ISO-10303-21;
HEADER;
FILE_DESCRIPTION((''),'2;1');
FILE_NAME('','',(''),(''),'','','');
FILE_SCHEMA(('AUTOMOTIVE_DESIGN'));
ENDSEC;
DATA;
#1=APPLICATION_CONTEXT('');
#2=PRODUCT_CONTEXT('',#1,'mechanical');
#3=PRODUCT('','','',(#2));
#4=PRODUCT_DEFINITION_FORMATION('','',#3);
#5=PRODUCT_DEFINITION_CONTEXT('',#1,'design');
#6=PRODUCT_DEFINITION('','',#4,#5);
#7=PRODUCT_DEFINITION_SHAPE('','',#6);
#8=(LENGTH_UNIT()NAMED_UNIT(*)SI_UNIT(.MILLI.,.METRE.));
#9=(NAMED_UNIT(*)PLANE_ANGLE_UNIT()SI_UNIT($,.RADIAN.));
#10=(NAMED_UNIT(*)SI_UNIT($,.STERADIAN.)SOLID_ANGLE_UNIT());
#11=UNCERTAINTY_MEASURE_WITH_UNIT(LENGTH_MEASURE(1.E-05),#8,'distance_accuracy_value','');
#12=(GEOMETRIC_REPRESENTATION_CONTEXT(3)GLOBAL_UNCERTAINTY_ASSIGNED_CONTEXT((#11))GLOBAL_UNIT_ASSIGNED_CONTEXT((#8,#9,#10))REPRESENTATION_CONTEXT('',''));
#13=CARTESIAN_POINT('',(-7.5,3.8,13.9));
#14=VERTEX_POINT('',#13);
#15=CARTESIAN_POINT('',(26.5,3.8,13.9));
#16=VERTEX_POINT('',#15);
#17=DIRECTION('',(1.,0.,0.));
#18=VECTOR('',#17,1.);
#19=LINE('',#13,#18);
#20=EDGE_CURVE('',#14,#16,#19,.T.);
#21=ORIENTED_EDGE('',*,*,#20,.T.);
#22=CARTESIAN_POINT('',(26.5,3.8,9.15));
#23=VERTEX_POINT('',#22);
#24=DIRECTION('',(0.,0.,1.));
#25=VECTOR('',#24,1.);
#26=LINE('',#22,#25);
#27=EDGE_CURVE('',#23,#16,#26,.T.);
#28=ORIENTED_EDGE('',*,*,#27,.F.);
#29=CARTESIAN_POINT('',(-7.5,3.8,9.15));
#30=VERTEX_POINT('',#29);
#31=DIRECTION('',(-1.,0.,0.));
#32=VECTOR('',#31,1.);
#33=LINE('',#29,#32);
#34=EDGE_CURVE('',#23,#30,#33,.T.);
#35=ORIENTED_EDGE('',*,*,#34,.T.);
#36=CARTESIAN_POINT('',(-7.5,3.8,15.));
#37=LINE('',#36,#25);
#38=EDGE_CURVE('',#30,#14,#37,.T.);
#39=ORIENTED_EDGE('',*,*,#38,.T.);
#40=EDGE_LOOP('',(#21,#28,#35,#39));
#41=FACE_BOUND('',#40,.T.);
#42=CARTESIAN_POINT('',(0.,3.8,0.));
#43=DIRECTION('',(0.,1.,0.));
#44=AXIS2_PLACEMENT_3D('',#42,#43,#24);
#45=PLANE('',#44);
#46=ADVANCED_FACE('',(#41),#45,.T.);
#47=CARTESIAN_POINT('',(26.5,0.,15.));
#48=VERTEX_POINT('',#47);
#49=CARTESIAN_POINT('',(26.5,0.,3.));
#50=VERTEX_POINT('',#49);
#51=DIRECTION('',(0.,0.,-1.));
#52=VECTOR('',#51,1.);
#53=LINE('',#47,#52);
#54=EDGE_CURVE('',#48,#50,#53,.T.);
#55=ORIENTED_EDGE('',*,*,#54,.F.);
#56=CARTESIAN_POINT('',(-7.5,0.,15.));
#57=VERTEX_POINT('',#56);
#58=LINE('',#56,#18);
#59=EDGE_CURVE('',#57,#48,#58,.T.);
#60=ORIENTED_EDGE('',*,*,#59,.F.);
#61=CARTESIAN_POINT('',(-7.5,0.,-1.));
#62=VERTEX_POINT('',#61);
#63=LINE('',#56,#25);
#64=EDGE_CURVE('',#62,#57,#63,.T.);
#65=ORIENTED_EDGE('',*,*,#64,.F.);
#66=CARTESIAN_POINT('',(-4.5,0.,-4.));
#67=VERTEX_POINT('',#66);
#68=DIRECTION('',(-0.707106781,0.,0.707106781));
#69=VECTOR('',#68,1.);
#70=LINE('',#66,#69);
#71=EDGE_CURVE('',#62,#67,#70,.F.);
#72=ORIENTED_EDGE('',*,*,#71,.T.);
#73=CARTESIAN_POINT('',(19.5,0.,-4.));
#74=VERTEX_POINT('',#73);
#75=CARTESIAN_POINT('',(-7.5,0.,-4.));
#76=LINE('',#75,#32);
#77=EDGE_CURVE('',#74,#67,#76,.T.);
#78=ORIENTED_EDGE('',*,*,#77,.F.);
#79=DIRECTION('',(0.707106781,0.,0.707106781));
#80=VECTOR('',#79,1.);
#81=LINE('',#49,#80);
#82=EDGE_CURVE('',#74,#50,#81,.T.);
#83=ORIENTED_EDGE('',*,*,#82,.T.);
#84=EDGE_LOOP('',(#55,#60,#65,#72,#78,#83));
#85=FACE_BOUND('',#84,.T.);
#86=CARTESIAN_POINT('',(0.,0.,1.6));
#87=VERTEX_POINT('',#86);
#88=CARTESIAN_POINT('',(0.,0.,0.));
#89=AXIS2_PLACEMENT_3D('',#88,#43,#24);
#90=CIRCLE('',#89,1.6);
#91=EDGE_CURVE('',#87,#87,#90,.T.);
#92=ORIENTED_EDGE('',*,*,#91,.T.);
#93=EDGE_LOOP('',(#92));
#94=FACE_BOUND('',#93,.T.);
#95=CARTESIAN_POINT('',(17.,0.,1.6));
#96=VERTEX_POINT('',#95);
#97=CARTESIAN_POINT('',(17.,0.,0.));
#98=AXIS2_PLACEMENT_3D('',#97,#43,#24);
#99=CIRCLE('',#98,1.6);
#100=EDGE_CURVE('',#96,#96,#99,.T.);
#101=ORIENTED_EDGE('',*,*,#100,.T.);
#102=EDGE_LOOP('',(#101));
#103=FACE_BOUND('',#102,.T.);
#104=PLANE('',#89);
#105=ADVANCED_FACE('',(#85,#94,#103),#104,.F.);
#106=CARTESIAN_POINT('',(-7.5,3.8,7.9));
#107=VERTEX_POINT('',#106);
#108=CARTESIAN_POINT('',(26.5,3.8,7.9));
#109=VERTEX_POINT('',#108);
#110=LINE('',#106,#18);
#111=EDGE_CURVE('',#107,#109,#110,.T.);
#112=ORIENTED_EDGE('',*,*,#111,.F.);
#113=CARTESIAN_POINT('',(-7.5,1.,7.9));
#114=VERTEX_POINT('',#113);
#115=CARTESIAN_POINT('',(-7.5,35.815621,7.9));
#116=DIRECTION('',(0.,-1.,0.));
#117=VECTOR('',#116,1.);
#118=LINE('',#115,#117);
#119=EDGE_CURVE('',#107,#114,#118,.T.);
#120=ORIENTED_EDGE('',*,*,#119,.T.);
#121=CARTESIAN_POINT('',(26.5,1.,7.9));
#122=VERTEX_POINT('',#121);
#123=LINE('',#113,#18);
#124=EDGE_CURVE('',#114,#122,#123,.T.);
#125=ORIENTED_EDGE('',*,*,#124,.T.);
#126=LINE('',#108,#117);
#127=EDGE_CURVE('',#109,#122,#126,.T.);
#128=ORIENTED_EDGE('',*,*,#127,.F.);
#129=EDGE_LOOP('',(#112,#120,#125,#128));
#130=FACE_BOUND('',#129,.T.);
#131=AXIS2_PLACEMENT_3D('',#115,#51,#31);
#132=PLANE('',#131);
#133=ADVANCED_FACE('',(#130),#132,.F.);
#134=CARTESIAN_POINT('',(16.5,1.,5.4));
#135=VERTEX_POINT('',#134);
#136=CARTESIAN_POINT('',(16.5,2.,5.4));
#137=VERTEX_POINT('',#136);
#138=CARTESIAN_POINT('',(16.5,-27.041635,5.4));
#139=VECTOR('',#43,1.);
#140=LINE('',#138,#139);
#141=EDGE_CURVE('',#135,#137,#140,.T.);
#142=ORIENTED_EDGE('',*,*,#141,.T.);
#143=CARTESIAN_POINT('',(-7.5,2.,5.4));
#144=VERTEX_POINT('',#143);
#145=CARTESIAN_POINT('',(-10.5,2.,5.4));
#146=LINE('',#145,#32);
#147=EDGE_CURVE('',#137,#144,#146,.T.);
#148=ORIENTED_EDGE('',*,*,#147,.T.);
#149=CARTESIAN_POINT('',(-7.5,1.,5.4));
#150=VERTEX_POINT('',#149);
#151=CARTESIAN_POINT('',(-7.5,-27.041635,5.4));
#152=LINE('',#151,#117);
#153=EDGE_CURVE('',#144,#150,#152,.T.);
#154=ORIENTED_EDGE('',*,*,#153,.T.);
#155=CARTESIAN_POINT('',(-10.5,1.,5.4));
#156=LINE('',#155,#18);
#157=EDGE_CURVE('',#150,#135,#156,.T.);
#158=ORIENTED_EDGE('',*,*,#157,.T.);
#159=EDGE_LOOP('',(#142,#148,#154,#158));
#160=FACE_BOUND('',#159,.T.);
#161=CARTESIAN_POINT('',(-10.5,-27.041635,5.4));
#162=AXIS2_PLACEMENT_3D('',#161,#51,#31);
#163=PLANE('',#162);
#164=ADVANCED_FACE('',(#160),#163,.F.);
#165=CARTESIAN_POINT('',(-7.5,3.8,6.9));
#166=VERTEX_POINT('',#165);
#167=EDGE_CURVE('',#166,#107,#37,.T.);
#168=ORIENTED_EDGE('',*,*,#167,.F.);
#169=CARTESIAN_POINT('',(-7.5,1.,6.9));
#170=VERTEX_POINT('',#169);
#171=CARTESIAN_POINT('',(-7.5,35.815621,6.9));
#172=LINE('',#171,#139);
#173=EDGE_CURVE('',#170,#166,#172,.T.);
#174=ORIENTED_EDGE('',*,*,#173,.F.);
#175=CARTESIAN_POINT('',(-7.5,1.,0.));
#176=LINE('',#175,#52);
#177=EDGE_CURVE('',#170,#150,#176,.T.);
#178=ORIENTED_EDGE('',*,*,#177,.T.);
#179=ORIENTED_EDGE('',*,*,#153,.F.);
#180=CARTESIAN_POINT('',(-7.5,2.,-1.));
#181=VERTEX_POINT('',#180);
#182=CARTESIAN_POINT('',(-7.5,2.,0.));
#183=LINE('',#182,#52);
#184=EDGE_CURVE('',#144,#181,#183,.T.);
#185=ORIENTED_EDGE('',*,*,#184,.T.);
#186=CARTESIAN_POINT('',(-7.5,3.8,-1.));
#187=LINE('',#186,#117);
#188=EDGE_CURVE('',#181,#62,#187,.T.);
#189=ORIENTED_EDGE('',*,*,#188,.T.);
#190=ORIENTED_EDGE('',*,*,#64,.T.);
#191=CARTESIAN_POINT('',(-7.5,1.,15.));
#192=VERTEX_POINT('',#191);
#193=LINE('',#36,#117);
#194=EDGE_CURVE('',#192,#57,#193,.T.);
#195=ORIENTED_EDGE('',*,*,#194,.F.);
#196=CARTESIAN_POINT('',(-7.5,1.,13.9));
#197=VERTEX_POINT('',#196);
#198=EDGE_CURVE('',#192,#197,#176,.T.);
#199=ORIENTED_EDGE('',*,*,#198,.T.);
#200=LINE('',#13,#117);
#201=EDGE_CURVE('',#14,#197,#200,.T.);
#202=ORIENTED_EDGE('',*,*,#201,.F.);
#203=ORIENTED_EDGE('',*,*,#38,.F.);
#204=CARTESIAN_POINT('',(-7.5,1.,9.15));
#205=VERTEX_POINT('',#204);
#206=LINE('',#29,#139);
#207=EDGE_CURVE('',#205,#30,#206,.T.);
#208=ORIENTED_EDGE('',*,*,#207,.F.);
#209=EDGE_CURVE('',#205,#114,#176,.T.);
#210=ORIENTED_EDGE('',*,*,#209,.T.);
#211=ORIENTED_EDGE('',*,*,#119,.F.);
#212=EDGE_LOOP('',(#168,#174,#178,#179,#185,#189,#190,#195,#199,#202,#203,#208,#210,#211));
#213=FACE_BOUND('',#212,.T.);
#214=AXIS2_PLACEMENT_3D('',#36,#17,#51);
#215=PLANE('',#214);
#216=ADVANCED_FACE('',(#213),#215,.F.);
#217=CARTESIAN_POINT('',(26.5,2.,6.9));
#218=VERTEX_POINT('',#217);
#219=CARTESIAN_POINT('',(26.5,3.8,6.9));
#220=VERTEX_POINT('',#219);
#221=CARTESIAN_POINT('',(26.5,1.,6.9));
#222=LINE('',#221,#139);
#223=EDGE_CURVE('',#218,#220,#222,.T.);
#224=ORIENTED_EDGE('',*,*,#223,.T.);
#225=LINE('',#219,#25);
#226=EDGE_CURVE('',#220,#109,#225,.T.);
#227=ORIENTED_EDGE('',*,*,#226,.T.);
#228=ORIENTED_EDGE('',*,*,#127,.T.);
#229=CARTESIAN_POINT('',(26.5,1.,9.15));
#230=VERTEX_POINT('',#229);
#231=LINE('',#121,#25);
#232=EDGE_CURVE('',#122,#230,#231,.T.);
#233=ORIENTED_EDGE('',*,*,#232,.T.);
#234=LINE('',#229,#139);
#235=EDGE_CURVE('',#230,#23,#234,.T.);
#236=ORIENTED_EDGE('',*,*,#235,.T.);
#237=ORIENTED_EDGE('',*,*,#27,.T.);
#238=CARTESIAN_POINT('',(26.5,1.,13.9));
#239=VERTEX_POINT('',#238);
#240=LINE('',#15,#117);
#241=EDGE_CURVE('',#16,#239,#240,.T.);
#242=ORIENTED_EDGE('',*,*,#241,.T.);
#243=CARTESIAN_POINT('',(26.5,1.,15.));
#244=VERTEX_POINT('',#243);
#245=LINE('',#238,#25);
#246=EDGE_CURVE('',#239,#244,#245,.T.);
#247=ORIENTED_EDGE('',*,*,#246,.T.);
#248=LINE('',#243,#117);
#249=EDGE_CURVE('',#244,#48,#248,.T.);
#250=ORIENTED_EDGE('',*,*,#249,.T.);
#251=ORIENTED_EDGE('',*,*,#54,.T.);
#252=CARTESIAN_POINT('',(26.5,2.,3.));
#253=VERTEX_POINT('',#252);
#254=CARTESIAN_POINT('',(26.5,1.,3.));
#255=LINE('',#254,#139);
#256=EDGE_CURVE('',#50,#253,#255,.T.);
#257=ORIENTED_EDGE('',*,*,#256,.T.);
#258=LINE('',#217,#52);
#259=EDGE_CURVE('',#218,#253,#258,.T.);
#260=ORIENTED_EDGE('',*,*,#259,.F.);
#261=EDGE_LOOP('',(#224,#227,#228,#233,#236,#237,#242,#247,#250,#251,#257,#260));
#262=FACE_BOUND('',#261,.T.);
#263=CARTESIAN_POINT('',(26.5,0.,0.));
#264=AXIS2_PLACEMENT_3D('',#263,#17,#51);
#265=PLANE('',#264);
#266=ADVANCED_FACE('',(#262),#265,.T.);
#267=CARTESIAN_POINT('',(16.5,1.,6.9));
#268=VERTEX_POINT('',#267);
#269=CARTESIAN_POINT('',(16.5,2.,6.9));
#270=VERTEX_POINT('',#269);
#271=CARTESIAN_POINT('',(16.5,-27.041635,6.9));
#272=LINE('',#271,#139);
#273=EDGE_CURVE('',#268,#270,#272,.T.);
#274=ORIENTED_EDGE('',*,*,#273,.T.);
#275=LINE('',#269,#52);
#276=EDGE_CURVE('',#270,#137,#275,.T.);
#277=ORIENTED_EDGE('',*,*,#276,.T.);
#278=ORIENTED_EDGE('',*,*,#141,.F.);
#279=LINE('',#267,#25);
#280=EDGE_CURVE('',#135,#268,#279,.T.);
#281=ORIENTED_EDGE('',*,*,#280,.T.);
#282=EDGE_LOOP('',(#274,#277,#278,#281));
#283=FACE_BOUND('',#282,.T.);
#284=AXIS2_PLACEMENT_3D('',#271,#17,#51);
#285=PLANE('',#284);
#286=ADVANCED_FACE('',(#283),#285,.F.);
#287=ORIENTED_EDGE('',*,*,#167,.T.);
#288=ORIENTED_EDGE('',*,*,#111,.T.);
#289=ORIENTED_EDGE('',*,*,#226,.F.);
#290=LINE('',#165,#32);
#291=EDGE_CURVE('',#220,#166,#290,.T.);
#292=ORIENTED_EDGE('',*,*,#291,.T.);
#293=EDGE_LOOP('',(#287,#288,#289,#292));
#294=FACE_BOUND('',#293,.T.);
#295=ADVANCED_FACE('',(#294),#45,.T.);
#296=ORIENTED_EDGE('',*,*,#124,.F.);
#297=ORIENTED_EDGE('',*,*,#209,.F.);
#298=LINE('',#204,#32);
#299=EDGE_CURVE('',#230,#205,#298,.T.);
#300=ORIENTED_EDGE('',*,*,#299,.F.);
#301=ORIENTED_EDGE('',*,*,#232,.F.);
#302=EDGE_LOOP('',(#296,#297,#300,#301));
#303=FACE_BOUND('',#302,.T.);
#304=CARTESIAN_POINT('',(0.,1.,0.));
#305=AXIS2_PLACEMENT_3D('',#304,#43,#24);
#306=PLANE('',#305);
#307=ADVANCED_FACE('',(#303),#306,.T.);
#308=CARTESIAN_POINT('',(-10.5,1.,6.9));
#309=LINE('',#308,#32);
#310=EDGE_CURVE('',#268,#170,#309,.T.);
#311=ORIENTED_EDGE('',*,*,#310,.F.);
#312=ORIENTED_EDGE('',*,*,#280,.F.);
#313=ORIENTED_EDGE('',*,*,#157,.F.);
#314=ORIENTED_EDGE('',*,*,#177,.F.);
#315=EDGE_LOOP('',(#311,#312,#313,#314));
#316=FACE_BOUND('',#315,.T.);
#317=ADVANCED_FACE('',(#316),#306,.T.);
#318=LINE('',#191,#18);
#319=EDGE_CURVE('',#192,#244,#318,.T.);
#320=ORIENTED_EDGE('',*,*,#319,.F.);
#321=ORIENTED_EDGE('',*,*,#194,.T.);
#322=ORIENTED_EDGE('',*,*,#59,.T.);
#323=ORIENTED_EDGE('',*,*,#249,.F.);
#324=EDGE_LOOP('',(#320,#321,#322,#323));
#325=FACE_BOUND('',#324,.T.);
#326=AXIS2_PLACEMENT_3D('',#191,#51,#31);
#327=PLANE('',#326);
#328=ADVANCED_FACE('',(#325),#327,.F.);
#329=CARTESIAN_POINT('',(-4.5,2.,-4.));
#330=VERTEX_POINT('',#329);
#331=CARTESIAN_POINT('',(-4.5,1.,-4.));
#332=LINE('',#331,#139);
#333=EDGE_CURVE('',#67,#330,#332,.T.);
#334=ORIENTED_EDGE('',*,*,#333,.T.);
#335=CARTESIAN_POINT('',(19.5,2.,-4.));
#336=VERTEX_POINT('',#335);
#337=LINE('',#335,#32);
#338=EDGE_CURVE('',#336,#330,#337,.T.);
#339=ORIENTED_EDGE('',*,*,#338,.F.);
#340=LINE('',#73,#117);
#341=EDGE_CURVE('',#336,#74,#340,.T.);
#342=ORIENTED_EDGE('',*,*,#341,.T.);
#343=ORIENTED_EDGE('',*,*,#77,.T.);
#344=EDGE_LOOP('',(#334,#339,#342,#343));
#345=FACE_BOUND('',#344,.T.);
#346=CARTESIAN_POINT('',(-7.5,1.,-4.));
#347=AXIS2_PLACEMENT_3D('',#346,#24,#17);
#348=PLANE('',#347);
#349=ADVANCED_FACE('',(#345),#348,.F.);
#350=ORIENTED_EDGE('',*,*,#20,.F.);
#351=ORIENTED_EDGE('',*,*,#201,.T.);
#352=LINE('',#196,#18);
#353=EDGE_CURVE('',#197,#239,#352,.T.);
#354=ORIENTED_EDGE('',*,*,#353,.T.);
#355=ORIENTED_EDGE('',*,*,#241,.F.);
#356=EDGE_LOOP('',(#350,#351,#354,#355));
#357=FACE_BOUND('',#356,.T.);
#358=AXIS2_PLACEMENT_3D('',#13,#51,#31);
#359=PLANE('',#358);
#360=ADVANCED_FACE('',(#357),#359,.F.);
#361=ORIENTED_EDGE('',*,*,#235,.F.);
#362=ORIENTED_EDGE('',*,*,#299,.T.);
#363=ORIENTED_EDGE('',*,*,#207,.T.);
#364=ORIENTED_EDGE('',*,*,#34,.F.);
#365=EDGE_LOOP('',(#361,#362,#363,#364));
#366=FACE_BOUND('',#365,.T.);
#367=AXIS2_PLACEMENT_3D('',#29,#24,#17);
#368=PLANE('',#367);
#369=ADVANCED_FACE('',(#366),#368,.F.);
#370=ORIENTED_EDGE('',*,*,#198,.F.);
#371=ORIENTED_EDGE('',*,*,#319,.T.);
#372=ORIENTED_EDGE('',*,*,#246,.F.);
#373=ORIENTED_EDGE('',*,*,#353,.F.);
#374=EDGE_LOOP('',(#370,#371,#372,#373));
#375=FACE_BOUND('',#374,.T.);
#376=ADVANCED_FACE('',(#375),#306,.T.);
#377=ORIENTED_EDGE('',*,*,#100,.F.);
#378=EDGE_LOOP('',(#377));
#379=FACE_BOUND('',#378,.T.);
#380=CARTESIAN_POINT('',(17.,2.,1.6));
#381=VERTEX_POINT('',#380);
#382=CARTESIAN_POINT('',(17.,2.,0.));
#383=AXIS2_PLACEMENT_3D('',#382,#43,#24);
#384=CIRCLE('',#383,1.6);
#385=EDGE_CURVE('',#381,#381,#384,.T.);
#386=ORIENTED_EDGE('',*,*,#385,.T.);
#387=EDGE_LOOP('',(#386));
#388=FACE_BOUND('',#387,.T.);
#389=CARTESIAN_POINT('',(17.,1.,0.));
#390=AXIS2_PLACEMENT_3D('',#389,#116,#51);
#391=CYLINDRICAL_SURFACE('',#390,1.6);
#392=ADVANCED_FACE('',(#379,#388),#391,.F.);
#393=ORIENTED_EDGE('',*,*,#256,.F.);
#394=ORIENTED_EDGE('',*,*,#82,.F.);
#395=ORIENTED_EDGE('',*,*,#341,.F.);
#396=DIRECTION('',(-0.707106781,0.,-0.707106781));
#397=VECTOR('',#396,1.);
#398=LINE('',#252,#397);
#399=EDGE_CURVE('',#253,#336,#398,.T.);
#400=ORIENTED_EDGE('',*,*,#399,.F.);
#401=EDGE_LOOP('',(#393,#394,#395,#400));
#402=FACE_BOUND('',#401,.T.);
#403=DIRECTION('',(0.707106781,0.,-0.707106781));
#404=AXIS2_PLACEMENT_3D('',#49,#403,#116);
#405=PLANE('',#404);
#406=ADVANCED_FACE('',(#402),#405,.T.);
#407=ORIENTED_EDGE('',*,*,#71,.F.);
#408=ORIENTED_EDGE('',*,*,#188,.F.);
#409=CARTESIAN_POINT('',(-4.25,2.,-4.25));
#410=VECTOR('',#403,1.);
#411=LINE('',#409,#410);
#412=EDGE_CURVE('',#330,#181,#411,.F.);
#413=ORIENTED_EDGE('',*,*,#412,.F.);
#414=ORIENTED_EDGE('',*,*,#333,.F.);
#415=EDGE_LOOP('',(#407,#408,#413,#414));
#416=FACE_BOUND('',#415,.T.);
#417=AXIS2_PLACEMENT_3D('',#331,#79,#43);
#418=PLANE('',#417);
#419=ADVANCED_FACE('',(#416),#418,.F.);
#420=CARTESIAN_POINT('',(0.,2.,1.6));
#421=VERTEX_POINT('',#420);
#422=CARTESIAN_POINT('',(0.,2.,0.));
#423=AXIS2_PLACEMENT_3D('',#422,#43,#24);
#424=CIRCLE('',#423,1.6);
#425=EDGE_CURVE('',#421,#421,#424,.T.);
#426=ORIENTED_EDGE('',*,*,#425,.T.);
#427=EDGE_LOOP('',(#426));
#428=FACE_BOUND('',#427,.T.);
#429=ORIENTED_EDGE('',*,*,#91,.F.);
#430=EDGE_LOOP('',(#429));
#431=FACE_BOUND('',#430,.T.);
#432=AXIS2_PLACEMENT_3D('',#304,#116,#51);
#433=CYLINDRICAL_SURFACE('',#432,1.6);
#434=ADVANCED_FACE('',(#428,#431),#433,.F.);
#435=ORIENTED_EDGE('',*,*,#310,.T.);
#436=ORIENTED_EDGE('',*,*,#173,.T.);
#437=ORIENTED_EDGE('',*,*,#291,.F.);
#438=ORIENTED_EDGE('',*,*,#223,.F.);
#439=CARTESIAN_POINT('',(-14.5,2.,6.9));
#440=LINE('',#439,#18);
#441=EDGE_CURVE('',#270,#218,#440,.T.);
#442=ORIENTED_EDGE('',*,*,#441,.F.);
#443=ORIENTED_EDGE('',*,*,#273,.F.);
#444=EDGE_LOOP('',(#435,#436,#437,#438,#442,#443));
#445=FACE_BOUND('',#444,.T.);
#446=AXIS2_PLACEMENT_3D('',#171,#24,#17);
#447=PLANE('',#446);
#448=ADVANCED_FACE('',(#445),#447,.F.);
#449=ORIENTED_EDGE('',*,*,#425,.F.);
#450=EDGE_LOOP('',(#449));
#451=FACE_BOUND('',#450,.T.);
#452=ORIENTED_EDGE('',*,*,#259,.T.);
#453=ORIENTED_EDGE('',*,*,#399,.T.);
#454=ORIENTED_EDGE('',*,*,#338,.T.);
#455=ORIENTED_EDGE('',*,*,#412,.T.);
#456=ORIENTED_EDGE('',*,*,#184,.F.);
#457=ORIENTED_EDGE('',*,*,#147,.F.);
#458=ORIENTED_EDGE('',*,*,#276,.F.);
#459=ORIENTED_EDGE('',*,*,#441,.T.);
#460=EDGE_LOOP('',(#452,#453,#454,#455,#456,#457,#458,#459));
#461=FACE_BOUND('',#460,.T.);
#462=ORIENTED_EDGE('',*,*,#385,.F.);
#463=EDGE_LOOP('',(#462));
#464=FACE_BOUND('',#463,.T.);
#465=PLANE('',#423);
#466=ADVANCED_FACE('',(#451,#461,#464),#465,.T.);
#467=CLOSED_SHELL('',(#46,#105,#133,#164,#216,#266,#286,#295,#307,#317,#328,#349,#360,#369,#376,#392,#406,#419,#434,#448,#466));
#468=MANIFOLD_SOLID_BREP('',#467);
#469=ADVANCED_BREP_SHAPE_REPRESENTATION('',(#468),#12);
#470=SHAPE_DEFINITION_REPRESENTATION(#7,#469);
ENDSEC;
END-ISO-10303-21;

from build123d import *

# Parameters (mm, degrees)
SKETCH_1_W          = 32
SKETCH_1_H          = 19
SKETCH_1_R          = 1.6
EXTRUDE_1_DEPTH     = 1
SKETCH_3_W          = 32
SKETCH_3_H          = 4.75
EXTRUDE_2_DEPTH     = 2.8
SKETCH_4_W          = 32
SKETCH_4_H          = 1
EXTRUDE_3_DEPTH     = 2.8
EXTRUDE_4_DEPTH     = 2
EXTRUDE_5_DEPTH     = 7
CHAMFER_1_SIZE      = 7
SKETCH_7_R          = 1.6
EXTRUDE_6_DEPTH     = 1
SKETCH_8_W          = 4
SKETCH_8_H          = 16
CUT_EXTRUDE_1_DEPTH = 31.686967918
SKETCH_9_W          = 27
SKETCH_9_H          = 1.5
CUT_EXTRUDE_2_DEPTH = 1
SKETCH_10_W         = 3
SKETCH_10_H         = 19
CUT_EXTRUDE_3_DEPTH = 31.686967918
CHAMFER_2_SIZE      = 3


with BuildPart() as part:
    # 草图1 → 凸台-拉伸1 (new body)
    with BuildSketch(Plane(origin=(0, 0, 0), x_dir=(1, 0, 0), z_dir=(0, 1, 0))):
        with Locations((8.5, -5.5)):
            Rectangle(SKETCH_1_W, SKETCH_1_H)
        with Locations(Location((0, 0, 0), (0, 0, 270))):
            Circle(SKETCH_1_R, mode=Mode.SUBTRACT)
        with Locations(Location((17, 0, 0), (0, 0, 270))):
            Circle(SKETCH_1_R, mode=Mode.SUBTRACT)
    extrude(amount=EXTRUDE_1_DEPTH)

    # 草图3 → 凸台-拉伸2 (add)
    with BuildSketch(Plane(origin=(0, 1, 0), x_dir=(1, 0, 0), z_dir=(0, 1, 0))):
        with Locations((8.5, -11.525)):
            Rectangle(SKETCH_3_W, SKETCH_3_H)
    extrude(amount=EXTRUDE_2_DEPTH)

    # 草图4 → 凸台-拉伸3 (add)
    with BuildSketch(Plane(origin=(0, 1, 0), x_dir=(1, 0, 0), z_dir=(0, 1, 0))):
        with Locations((8.5, -7.4)):
            Rectangle(SKETCH_4_W, SKETCH_4_H)
    extrude(amount=EXTRUDE_3_DEPTH)

    # 草图5 → 凸台-拉伸4 (add)
    with BuildSketch(Plane(origin=(24.5, 0, 0), x_dir=(0, 0, -1), z_dir=(1, 0, 0))):
        Polygon((-15, 0), (4, 0), (4, 1), (-6.9, 1), (-6.9, 3.8), (-7.9, 3.8), (-7.9, 1), (-9.15, 1), (-9.15, 3.8), (-13.9, 3.8), (-13.9, 1), (-15, 1), align=None)
    extrude(amount=EXTRUDE_4_DEPTH)

    # 草图6 → 凸台-拉伸5 (add)
    with BuildSketch(Plane.ZY.offset(7.5)):
        Polygon((-4, 0), (15, 0), (15, 1), (13.9, 1), (13.9, 3.8), (9.15, 3.8), (9.15, 1), (7.9, 1), (7.9, 3.8), (6.9, 3.8), (6.9, 1), (-4, 1), align=None)
    extrude(amount=EXTRUDE_5_DEPTH)

    # 倒角1
    chamfer_1_edges = [part.edges().sort_by_distance(p)[0] for p in [
        (26.5, 0.5, -4),
        (-14.5, 0.5, -4),
    ]]
    chamfer(chamfer_1_edges, length=CHAMFER_1_SIZE)

    # 草图7 → 凸台-拉伸6 (add)
    with BuildSketch(Plane(origin=(0, 1, 0), x_dir=(1, 0, 0), z_dir=(0, 1, 0))):
        Polygon((26.5, -6.9), (26.5, -3), (19.5, 4), (-7.5, 4), (-14.5, -3), (-14.5, -6.9), align=None)
        with Locations(Location((17, 0, 0), (0, 0, 270))):
            Circle(SKETCH_7_R, mode=Mode.SUBTRACT)
        with Locations(Location((0, 0, 0), (0, 0, 270))):
            Circle(SKETCH_7_R, mode=Mode.SUBTRACT)
    extrude(amount=EXTRUDE_6_DEPTH)

    # 草图8 → 切除-拉伸1 (cut, through all)
    with BuildSketch(Plane(origin=(0, 3.8, 0), x_dir=(1, 0, 0), z_dir=(0, 1, 0))):
        with Locations((-12.5, -7)):
            Rectangle(SKETCH_8_W, SKETCH_8_H)
    extrude(amount=-CUT_EXTRUDE_1_DEPTH, mode=Mode.SUBTRACT)

    # 草图9 → 切除-拉伸2 (cut)
    with BuildSketch(Plane(origin=(0, 2, 0), x_dir=(1, 0, 0), z_dir=(0, 1, 0))):
        with Locations((3, -6.15)):
            Rectangle(SKETCH_9_W, SKETCH_9_H)
    extrude(amount=-CUT_EXTRUDE_2_DEPTH, mode=Mode.SUBTRACT)

    # 草图10 → 切除-拉伸3 (cut, through all)
    with BuildSketch(Plane.XZ):
        with Locations((-9, 5.5)):
            Rectangle(SKETCH_10_W, SKETCH_10_H)
    extrude(amount=-CUT_EXTRUDE_3_DEPTH, mode=Mode.SUBTRACT)

    # 倒角2
    chamfer_2_edges = [part.edges().sort_by_distance(p)[0] for p in [
        (-7.5, 1, -4),
    ]]
    chamfer(chamfer_2_edges, length=CHAMFER_2_SIZE)


solid = part.part
